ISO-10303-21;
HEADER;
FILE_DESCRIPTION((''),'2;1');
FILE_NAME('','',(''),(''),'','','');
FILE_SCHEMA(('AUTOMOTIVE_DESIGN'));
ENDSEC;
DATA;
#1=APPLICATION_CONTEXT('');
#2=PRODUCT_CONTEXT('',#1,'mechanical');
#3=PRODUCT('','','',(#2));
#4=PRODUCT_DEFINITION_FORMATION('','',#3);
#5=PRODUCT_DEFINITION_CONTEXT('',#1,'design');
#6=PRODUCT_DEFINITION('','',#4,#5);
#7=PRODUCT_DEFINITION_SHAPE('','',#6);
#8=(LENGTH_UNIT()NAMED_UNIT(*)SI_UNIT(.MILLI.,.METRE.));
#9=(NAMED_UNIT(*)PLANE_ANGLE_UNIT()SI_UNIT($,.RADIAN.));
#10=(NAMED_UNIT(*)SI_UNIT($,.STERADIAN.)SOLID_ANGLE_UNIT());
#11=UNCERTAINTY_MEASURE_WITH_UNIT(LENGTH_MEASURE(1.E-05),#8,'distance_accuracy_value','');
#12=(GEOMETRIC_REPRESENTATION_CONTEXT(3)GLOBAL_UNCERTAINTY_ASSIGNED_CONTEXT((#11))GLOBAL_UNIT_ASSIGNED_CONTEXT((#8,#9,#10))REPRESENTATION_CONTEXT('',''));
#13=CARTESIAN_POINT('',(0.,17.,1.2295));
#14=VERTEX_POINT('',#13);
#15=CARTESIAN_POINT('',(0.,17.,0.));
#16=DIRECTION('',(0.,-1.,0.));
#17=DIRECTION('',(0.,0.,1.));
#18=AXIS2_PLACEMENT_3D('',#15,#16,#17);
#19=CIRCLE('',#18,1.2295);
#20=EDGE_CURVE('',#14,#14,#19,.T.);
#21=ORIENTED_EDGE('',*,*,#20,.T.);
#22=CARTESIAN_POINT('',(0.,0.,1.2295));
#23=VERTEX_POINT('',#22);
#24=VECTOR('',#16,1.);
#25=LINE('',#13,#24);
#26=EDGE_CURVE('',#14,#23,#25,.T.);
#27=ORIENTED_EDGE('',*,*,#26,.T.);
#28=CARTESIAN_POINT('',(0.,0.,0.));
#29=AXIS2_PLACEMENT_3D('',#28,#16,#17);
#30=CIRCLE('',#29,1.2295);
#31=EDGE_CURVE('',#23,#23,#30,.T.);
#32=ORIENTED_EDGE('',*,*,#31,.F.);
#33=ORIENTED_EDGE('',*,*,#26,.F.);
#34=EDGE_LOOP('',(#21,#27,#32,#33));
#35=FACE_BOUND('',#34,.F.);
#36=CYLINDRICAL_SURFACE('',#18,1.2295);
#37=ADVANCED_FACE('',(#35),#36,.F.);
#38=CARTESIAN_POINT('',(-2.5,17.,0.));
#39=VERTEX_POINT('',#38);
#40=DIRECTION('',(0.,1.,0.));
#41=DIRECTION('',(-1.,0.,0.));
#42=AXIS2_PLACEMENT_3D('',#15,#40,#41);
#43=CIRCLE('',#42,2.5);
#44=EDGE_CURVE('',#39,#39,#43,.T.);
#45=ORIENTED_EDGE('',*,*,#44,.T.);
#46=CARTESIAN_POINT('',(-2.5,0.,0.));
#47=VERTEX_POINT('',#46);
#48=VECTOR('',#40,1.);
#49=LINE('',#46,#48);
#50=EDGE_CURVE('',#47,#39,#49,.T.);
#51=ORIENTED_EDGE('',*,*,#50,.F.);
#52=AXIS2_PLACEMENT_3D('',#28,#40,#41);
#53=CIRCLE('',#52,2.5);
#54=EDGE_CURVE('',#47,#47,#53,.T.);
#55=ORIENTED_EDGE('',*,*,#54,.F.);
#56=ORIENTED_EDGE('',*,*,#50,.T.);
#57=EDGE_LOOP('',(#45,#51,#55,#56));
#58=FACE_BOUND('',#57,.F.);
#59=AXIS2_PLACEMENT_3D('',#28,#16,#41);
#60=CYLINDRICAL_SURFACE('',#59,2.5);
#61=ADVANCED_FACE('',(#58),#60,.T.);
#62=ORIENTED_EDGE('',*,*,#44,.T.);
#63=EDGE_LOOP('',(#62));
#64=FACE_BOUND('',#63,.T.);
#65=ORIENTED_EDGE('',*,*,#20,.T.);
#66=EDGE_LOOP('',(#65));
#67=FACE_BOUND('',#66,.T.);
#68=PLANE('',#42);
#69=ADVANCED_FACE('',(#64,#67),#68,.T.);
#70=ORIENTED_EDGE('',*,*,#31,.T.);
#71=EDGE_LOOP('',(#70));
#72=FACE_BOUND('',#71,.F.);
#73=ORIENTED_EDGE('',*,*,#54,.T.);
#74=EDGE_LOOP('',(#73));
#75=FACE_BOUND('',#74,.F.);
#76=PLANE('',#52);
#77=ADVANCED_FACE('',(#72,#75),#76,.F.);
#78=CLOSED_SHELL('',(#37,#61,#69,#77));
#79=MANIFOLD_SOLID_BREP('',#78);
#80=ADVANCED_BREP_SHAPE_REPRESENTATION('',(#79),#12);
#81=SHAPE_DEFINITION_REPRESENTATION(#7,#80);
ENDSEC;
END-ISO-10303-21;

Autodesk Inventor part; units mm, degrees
ref_plane "YZ Plane" through (0, 0, 0) normal (1, 0, 0) x (0, 1, 0)
ref_plane "XZ Plane" through (0, 0, 0) normal (0, 1, 0) x (-1, 0, 0)
ref_plane "XY Plane" through (0, 0, 0) normal (0, 0, 1) x (1, 0, 0)
sketch "Sketch1" plane through (0, 0, 0) normal (0, 1, 0) x (-1, 0, 0)
  circle A0 centre (0, 0) radius 2.5
  dimension "d0" = 5
extrude "Extrusion1" add sketch "Sketch1" along normal blind 17
sketch "Sketch2" plane through (0, 17, 0) normal (0, 1, 0) x (1, 0, 0)
  point P0 (0, 0)
  point P1 (0, 0)
hole "Hole1" at (0, 17, 0) direction (0, -1, 0) diameter 2.459 end through all thread size "M3x0.5" class "6H" standard "ISO Metric profile"
properties part number "screwed_distance" material "Aluminum 6061"
